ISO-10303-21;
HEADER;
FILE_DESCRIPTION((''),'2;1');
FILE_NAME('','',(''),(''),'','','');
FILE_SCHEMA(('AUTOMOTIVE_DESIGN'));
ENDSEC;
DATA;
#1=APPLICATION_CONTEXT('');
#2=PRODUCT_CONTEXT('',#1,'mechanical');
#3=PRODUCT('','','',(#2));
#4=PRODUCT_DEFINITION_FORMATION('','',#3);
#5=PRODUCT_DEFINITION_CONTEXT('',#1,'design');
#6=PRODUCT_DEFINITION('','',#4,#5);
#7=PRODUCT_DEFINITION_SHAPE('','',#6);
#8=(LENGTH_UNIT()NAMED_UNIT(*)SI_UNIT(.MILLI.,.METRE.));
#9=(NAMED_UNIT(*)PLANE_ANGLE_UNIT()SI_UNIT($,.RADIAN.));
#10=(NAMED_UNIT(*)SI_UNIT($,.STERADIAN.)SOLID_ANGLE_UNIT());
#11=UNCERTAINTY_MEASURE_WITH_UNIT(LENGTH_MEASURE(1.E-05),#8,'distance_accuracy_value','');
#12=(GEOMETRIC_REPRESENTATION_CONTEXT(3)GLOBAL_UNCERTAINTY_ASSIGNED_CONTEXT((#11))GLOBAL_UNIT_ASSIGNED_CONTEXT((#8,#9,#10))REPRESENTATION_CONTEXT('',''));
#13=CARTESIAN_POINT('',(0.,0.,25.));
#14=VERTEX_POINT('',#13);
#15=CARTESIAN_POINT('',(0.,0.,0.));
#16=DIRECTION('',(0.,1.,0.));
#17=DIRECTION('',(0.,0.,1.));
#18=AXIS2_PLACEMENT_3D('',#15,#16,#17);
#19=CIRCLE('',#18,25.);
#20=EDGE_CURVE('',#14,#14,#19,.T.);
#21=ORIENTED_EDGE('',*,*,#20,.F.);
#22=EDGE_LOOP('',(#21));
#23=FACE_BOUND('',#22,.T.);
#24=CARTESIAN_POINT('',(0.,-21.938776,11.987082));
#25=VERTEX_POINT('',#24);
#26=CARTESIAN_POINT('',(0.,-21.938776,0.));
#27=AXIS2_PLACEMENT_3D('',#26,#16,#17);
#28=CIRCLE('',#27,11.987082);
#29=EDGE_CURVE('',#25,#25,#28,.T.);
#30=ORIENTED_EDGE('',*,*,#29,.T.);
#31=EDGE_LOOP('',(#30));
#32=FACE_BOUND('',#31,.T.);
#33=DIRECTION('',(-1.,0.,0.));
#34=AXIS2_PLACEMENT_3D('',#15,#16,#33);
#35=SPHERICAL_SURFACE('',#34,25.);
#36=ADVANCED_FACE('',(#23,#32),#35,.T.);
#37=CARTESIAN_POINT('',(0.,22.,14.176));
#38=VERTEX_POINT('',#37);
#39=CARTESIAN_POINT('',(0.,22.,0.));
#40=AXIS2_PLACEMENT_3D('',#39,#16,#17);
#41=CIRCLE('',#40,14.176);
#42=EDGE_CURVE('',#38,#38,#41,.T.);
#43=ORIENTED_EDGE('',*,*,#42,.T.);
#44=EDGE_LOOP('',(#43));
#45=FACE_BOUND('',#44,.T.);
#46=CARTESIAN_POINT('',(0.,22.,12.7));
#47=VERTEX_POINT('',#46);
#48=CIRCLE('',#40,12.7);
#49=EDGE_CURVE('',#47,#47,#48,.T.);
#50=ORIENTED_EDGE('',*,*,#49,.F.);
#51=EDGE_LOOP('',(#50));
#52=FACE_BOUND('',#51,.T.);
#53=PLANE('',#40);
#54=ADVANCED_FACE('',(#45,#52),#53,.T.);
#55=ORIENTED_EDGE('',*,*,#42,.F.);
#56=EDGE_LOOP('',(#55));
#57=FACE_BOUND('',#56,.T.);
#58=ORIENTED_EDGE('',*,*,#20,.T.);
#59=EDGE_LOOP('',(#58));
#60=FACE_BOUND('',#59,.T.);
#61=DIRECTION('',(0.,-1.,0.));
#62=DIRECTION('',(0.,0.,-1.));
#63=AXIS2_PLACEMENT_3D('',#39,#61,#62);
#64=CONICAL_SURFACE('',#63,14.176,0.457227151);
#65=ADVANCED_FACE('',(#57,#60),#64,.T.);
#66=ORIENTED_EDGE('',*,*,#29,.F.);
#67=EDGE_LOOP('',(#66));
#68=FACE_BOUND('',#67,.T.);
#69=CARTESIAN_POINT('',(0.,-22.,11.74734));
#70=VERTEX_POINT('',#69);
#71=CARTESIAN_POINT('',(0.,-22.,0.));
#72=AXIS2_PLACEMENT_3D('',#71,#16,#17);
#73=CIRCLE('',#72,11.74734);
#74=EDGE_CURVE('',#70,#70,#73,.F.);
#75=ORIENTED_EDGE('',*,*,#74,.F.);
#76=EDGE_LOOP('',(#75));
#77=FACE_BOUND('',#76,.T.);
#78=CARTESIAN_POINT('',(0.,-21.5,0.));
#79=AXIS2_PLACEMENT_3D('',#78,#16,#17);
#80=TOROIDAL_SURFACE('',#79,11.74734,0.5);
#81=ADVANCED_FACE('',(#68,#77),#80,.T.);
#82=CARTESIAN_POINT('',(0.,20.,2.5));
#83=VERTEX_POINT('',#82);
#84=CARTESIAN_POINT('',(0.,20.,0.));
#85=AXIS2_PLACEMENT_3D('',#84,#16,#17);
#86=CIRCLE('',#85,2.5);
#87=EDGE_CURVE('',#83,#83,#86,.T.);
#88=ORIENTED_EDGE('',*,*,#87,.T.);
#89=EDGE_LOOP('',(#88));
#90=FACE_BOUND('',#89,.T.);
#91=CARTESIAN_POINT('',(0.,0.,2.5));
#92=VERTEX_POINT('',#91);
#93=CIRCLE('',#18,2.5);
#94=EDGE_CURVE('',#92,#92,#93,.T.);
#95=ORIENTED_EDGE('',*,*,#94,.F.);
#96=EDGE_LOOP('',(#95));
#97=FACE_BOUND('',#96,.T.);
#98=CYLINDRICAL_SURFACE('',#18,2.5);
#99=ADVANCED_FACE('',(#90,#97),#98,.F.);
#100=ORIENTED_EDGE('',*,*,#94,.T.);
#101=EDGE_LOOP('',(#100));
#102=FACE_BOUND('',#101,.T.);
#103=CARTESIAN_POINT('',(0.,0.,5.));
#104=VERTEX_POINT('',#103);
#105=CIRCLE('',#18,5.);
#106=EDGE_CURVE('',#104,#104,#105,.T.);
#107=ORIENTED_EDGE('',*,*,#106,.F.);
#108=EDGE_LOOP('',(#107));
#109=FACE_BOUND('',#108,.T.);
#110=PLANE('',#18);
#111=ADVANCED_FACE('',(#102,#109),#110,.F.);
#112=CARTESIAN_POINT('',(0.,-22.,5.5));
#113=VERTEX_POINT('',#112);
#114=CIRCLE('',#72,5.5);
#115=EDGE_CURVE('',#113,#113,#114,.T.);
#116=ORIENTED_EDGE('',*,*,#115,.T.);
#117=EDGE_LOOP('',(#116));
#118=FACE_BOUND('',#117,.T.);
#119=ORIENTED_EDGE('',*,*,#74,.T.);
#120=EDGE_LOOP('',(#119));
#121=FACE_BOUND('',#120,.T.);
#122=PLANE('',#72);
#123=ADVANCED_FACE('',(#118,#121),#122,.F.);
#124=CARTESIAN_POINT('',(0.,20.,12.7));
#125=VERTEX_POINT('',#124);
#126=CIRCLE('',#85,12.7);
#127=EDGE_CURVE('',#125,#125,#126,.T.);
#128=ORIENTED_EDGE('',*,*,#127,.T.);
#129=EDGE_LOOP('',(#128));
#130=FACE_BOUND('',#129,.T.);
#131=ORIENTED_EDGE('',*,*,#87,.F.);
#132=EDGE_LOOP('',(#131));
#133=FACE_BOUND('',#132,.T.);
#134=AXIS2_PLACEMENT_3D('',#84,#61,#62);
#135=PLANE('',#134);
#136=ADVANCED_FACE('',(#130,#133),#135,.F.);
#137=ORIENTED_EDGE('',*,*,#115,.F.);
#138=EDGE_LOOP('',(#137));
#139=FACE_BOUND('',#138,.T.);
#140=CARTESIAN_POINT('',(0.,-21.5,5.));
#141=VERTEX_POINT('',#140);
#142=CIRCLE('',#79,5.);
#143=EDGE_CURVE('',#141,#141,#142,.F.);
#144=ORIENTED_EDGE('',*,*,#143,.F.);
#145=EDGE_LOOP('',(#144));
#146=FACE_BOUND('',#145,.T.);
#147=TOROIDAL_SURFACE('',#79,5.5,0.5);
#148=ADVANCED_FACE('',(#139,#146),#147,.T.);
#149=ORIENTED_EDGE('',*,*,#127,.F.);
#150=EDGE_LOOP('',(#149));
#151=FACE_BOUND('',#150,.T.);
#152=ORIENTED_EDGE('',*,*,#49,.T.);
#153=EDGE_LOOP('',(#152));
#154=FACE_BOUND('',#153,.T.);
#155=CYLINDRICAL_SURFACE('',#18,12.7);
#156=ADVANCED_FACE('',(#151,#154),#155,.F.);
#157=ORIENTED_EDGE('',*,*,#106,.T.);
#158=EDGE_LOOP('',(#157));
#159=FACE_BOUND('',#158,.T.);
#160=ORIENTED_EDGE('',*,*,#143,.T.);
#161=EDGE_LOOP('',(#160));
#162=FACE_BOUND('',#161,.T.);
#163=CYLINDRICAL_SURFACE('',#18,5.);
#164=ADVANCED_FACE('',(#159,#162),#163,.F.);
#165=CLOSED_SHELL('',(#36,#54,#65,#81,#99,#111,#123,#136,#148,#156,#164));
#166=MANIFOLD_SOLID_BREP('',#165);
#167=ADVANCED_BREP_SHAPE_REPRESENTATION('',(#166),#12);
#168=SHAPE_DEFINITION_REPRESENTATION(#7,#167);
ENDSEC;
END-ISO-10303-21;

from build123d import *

# Parameters (mm, degrees)
FILLET1_R = 0.5


with BuildPart() as part:
    # Sketch1 → Revolve1 (revolve)
    with BuildSketch(Plane.XY):
        with BuildLine():
            Line((-14.176, 22), (-25, 0))
            ThreePointArc((-25, 0), (-21.46926352, -12.809009482), (-11.874342087, -22))
            Line((-11.874342087, -22), (-5, -22))
            Line((-5, -22), (-5, 0))
            Line((-5, 0), (-2.5, 0))
            Line((-2.5, 0), (-2.5, 20))
            Line((-2.5, 20), (-12.7, 20))
            Line((-12.7, 20), (-12.7, 22))
            Line((-12.7, 22), (-14.176, 22))
        make_face()
    revolve(axis=Axis((0, 0, 0), (0, -1, 0)))

    # Fillet1
    fillet1_edges = [part.edges().sort_by_distance(p)[0] for p in [
        (5, -22, 0),
        (11.874342087, -22, 0),
    ]]
    fillet(fillet1_edges, radius=FILLET1_R)


solid = part.part
